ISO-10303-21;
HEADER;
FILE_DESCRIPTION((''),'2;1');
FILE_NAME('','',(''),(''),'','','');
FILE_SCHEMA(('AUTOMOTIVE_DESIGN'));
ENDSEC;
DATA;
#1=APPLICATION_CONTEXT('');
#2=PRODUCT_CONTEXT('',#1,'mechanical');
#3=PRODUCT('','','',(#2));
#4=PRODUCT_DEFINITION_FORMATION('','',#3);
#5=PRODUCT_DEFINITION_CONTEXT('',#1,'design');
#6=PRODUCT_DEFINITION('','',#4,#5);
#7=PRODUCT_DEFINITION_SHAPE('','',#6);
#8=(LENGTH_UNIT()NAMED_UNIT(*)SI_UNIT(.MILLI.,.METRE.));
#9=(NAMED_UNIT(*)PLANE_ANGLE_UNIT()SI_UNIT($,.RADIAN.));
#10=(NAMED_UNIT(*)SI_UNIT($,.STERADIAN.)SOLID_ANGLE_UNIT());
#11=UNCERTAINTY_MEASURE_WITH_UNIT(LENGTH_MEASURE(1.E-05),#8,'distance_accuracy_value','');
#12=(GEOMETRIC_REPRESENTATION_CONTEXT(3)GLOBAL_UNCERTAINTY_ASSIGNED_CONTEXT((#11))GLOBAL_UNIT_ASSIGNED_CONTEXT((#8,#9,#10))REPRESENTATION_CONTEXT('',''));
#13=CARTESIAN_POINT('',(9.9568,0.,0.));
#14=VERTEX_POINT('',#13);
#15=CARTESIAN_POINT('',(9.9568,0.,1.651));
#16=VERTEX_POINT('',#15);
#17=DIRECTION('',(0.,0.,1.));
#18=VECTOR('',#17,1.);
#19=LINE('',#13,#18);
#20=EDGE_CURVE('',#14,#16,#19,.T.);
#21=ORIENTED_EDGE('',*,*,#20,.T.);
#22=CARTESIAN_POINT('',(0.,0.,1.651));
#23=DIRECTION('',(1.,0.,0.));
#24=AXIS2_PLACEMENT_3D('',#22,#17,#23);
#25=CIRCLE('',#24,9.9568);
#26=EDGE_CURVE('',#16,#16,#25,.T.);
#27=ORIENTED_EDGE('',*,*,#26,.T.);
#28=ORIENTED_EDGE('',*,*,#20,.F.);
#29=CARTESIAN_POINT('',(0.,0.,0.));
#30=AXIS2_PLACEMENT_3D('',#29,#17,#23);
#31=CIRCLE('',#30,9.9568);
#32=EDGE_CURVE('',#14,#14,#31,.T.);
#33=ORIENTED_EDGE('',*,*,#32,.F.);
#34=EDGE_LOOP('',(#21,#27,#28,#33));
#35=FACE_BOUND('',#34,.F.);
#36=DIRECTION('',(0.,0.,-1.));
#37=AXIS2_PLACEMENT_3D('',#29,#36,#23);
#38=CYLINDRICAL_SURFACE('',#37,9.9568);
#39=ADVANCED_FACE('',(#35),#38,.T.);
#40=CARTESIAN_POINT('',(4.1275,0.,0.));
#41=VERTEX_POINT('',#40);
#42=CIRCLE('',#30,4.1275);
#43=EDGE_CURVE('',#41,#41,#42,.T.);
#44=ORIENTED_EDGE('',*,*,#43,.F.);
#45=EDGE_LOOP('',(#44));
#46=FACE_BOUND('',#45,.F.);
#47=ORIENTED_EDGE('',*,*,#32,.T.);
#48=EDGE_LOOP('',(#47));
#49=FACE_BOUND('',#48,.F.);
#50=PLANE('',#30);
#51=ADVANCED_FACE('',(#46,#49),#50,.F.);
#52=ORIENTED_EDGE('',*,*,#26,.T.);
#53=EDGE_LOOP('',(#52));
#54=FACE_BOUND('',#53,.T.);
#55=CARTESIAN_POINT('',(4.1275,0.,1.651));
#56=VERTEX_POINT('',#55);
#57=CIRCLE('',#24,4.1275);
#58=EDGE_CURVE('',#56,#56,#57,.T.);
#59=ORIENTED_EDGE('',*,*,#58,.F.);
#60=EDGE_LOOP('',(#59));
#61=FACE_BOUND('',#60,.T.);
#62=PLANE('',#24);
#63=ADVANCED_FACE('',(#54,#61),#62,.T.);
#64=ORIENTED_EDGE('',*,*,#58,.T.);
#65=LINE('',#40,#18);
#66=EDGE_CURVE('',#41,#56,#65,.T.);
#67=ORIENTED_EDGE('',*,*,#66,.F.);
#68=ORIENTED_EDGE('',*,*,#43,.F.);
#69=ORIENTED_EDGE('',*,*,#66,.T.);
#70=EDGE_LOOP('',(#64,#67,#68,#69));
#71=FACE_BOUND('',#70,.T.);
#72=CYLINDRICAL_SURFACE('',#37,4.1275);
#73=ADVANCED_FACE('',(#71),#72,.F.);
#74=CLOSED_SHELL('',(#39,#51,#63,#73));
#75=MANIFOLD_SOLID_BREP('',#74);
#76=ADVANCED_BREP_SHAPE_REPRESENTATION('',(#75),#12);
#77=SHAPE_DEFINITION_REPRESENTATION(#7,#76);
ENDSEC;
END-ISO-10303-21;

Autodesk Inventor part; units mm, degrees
sketch "Sketch_1" plane through (0, 0, 0) normal (0, 0, 1) x (1, 0, 0)
  circle A0 centre (0, 0) radius 9.9568
  circle A1 centre (0, 0) radius 4.1275
extrude "Extrusion1" add sketch "Sketch_1" along normal blind 1.651
ref_plane "to_a_XY" through (0, 0, 0) normal (0, 0, 1) x (1, 0, 0)
ref_plane "to_a_YZ" through (0, 0, 0) normal (1, 0, 0) x (0, 1, 0)
ref_plane "to_a_ZX" through (0, 0, 0) normal (0, 1, 0) x (0, 0, 1)
properties part number "4489_washer"
